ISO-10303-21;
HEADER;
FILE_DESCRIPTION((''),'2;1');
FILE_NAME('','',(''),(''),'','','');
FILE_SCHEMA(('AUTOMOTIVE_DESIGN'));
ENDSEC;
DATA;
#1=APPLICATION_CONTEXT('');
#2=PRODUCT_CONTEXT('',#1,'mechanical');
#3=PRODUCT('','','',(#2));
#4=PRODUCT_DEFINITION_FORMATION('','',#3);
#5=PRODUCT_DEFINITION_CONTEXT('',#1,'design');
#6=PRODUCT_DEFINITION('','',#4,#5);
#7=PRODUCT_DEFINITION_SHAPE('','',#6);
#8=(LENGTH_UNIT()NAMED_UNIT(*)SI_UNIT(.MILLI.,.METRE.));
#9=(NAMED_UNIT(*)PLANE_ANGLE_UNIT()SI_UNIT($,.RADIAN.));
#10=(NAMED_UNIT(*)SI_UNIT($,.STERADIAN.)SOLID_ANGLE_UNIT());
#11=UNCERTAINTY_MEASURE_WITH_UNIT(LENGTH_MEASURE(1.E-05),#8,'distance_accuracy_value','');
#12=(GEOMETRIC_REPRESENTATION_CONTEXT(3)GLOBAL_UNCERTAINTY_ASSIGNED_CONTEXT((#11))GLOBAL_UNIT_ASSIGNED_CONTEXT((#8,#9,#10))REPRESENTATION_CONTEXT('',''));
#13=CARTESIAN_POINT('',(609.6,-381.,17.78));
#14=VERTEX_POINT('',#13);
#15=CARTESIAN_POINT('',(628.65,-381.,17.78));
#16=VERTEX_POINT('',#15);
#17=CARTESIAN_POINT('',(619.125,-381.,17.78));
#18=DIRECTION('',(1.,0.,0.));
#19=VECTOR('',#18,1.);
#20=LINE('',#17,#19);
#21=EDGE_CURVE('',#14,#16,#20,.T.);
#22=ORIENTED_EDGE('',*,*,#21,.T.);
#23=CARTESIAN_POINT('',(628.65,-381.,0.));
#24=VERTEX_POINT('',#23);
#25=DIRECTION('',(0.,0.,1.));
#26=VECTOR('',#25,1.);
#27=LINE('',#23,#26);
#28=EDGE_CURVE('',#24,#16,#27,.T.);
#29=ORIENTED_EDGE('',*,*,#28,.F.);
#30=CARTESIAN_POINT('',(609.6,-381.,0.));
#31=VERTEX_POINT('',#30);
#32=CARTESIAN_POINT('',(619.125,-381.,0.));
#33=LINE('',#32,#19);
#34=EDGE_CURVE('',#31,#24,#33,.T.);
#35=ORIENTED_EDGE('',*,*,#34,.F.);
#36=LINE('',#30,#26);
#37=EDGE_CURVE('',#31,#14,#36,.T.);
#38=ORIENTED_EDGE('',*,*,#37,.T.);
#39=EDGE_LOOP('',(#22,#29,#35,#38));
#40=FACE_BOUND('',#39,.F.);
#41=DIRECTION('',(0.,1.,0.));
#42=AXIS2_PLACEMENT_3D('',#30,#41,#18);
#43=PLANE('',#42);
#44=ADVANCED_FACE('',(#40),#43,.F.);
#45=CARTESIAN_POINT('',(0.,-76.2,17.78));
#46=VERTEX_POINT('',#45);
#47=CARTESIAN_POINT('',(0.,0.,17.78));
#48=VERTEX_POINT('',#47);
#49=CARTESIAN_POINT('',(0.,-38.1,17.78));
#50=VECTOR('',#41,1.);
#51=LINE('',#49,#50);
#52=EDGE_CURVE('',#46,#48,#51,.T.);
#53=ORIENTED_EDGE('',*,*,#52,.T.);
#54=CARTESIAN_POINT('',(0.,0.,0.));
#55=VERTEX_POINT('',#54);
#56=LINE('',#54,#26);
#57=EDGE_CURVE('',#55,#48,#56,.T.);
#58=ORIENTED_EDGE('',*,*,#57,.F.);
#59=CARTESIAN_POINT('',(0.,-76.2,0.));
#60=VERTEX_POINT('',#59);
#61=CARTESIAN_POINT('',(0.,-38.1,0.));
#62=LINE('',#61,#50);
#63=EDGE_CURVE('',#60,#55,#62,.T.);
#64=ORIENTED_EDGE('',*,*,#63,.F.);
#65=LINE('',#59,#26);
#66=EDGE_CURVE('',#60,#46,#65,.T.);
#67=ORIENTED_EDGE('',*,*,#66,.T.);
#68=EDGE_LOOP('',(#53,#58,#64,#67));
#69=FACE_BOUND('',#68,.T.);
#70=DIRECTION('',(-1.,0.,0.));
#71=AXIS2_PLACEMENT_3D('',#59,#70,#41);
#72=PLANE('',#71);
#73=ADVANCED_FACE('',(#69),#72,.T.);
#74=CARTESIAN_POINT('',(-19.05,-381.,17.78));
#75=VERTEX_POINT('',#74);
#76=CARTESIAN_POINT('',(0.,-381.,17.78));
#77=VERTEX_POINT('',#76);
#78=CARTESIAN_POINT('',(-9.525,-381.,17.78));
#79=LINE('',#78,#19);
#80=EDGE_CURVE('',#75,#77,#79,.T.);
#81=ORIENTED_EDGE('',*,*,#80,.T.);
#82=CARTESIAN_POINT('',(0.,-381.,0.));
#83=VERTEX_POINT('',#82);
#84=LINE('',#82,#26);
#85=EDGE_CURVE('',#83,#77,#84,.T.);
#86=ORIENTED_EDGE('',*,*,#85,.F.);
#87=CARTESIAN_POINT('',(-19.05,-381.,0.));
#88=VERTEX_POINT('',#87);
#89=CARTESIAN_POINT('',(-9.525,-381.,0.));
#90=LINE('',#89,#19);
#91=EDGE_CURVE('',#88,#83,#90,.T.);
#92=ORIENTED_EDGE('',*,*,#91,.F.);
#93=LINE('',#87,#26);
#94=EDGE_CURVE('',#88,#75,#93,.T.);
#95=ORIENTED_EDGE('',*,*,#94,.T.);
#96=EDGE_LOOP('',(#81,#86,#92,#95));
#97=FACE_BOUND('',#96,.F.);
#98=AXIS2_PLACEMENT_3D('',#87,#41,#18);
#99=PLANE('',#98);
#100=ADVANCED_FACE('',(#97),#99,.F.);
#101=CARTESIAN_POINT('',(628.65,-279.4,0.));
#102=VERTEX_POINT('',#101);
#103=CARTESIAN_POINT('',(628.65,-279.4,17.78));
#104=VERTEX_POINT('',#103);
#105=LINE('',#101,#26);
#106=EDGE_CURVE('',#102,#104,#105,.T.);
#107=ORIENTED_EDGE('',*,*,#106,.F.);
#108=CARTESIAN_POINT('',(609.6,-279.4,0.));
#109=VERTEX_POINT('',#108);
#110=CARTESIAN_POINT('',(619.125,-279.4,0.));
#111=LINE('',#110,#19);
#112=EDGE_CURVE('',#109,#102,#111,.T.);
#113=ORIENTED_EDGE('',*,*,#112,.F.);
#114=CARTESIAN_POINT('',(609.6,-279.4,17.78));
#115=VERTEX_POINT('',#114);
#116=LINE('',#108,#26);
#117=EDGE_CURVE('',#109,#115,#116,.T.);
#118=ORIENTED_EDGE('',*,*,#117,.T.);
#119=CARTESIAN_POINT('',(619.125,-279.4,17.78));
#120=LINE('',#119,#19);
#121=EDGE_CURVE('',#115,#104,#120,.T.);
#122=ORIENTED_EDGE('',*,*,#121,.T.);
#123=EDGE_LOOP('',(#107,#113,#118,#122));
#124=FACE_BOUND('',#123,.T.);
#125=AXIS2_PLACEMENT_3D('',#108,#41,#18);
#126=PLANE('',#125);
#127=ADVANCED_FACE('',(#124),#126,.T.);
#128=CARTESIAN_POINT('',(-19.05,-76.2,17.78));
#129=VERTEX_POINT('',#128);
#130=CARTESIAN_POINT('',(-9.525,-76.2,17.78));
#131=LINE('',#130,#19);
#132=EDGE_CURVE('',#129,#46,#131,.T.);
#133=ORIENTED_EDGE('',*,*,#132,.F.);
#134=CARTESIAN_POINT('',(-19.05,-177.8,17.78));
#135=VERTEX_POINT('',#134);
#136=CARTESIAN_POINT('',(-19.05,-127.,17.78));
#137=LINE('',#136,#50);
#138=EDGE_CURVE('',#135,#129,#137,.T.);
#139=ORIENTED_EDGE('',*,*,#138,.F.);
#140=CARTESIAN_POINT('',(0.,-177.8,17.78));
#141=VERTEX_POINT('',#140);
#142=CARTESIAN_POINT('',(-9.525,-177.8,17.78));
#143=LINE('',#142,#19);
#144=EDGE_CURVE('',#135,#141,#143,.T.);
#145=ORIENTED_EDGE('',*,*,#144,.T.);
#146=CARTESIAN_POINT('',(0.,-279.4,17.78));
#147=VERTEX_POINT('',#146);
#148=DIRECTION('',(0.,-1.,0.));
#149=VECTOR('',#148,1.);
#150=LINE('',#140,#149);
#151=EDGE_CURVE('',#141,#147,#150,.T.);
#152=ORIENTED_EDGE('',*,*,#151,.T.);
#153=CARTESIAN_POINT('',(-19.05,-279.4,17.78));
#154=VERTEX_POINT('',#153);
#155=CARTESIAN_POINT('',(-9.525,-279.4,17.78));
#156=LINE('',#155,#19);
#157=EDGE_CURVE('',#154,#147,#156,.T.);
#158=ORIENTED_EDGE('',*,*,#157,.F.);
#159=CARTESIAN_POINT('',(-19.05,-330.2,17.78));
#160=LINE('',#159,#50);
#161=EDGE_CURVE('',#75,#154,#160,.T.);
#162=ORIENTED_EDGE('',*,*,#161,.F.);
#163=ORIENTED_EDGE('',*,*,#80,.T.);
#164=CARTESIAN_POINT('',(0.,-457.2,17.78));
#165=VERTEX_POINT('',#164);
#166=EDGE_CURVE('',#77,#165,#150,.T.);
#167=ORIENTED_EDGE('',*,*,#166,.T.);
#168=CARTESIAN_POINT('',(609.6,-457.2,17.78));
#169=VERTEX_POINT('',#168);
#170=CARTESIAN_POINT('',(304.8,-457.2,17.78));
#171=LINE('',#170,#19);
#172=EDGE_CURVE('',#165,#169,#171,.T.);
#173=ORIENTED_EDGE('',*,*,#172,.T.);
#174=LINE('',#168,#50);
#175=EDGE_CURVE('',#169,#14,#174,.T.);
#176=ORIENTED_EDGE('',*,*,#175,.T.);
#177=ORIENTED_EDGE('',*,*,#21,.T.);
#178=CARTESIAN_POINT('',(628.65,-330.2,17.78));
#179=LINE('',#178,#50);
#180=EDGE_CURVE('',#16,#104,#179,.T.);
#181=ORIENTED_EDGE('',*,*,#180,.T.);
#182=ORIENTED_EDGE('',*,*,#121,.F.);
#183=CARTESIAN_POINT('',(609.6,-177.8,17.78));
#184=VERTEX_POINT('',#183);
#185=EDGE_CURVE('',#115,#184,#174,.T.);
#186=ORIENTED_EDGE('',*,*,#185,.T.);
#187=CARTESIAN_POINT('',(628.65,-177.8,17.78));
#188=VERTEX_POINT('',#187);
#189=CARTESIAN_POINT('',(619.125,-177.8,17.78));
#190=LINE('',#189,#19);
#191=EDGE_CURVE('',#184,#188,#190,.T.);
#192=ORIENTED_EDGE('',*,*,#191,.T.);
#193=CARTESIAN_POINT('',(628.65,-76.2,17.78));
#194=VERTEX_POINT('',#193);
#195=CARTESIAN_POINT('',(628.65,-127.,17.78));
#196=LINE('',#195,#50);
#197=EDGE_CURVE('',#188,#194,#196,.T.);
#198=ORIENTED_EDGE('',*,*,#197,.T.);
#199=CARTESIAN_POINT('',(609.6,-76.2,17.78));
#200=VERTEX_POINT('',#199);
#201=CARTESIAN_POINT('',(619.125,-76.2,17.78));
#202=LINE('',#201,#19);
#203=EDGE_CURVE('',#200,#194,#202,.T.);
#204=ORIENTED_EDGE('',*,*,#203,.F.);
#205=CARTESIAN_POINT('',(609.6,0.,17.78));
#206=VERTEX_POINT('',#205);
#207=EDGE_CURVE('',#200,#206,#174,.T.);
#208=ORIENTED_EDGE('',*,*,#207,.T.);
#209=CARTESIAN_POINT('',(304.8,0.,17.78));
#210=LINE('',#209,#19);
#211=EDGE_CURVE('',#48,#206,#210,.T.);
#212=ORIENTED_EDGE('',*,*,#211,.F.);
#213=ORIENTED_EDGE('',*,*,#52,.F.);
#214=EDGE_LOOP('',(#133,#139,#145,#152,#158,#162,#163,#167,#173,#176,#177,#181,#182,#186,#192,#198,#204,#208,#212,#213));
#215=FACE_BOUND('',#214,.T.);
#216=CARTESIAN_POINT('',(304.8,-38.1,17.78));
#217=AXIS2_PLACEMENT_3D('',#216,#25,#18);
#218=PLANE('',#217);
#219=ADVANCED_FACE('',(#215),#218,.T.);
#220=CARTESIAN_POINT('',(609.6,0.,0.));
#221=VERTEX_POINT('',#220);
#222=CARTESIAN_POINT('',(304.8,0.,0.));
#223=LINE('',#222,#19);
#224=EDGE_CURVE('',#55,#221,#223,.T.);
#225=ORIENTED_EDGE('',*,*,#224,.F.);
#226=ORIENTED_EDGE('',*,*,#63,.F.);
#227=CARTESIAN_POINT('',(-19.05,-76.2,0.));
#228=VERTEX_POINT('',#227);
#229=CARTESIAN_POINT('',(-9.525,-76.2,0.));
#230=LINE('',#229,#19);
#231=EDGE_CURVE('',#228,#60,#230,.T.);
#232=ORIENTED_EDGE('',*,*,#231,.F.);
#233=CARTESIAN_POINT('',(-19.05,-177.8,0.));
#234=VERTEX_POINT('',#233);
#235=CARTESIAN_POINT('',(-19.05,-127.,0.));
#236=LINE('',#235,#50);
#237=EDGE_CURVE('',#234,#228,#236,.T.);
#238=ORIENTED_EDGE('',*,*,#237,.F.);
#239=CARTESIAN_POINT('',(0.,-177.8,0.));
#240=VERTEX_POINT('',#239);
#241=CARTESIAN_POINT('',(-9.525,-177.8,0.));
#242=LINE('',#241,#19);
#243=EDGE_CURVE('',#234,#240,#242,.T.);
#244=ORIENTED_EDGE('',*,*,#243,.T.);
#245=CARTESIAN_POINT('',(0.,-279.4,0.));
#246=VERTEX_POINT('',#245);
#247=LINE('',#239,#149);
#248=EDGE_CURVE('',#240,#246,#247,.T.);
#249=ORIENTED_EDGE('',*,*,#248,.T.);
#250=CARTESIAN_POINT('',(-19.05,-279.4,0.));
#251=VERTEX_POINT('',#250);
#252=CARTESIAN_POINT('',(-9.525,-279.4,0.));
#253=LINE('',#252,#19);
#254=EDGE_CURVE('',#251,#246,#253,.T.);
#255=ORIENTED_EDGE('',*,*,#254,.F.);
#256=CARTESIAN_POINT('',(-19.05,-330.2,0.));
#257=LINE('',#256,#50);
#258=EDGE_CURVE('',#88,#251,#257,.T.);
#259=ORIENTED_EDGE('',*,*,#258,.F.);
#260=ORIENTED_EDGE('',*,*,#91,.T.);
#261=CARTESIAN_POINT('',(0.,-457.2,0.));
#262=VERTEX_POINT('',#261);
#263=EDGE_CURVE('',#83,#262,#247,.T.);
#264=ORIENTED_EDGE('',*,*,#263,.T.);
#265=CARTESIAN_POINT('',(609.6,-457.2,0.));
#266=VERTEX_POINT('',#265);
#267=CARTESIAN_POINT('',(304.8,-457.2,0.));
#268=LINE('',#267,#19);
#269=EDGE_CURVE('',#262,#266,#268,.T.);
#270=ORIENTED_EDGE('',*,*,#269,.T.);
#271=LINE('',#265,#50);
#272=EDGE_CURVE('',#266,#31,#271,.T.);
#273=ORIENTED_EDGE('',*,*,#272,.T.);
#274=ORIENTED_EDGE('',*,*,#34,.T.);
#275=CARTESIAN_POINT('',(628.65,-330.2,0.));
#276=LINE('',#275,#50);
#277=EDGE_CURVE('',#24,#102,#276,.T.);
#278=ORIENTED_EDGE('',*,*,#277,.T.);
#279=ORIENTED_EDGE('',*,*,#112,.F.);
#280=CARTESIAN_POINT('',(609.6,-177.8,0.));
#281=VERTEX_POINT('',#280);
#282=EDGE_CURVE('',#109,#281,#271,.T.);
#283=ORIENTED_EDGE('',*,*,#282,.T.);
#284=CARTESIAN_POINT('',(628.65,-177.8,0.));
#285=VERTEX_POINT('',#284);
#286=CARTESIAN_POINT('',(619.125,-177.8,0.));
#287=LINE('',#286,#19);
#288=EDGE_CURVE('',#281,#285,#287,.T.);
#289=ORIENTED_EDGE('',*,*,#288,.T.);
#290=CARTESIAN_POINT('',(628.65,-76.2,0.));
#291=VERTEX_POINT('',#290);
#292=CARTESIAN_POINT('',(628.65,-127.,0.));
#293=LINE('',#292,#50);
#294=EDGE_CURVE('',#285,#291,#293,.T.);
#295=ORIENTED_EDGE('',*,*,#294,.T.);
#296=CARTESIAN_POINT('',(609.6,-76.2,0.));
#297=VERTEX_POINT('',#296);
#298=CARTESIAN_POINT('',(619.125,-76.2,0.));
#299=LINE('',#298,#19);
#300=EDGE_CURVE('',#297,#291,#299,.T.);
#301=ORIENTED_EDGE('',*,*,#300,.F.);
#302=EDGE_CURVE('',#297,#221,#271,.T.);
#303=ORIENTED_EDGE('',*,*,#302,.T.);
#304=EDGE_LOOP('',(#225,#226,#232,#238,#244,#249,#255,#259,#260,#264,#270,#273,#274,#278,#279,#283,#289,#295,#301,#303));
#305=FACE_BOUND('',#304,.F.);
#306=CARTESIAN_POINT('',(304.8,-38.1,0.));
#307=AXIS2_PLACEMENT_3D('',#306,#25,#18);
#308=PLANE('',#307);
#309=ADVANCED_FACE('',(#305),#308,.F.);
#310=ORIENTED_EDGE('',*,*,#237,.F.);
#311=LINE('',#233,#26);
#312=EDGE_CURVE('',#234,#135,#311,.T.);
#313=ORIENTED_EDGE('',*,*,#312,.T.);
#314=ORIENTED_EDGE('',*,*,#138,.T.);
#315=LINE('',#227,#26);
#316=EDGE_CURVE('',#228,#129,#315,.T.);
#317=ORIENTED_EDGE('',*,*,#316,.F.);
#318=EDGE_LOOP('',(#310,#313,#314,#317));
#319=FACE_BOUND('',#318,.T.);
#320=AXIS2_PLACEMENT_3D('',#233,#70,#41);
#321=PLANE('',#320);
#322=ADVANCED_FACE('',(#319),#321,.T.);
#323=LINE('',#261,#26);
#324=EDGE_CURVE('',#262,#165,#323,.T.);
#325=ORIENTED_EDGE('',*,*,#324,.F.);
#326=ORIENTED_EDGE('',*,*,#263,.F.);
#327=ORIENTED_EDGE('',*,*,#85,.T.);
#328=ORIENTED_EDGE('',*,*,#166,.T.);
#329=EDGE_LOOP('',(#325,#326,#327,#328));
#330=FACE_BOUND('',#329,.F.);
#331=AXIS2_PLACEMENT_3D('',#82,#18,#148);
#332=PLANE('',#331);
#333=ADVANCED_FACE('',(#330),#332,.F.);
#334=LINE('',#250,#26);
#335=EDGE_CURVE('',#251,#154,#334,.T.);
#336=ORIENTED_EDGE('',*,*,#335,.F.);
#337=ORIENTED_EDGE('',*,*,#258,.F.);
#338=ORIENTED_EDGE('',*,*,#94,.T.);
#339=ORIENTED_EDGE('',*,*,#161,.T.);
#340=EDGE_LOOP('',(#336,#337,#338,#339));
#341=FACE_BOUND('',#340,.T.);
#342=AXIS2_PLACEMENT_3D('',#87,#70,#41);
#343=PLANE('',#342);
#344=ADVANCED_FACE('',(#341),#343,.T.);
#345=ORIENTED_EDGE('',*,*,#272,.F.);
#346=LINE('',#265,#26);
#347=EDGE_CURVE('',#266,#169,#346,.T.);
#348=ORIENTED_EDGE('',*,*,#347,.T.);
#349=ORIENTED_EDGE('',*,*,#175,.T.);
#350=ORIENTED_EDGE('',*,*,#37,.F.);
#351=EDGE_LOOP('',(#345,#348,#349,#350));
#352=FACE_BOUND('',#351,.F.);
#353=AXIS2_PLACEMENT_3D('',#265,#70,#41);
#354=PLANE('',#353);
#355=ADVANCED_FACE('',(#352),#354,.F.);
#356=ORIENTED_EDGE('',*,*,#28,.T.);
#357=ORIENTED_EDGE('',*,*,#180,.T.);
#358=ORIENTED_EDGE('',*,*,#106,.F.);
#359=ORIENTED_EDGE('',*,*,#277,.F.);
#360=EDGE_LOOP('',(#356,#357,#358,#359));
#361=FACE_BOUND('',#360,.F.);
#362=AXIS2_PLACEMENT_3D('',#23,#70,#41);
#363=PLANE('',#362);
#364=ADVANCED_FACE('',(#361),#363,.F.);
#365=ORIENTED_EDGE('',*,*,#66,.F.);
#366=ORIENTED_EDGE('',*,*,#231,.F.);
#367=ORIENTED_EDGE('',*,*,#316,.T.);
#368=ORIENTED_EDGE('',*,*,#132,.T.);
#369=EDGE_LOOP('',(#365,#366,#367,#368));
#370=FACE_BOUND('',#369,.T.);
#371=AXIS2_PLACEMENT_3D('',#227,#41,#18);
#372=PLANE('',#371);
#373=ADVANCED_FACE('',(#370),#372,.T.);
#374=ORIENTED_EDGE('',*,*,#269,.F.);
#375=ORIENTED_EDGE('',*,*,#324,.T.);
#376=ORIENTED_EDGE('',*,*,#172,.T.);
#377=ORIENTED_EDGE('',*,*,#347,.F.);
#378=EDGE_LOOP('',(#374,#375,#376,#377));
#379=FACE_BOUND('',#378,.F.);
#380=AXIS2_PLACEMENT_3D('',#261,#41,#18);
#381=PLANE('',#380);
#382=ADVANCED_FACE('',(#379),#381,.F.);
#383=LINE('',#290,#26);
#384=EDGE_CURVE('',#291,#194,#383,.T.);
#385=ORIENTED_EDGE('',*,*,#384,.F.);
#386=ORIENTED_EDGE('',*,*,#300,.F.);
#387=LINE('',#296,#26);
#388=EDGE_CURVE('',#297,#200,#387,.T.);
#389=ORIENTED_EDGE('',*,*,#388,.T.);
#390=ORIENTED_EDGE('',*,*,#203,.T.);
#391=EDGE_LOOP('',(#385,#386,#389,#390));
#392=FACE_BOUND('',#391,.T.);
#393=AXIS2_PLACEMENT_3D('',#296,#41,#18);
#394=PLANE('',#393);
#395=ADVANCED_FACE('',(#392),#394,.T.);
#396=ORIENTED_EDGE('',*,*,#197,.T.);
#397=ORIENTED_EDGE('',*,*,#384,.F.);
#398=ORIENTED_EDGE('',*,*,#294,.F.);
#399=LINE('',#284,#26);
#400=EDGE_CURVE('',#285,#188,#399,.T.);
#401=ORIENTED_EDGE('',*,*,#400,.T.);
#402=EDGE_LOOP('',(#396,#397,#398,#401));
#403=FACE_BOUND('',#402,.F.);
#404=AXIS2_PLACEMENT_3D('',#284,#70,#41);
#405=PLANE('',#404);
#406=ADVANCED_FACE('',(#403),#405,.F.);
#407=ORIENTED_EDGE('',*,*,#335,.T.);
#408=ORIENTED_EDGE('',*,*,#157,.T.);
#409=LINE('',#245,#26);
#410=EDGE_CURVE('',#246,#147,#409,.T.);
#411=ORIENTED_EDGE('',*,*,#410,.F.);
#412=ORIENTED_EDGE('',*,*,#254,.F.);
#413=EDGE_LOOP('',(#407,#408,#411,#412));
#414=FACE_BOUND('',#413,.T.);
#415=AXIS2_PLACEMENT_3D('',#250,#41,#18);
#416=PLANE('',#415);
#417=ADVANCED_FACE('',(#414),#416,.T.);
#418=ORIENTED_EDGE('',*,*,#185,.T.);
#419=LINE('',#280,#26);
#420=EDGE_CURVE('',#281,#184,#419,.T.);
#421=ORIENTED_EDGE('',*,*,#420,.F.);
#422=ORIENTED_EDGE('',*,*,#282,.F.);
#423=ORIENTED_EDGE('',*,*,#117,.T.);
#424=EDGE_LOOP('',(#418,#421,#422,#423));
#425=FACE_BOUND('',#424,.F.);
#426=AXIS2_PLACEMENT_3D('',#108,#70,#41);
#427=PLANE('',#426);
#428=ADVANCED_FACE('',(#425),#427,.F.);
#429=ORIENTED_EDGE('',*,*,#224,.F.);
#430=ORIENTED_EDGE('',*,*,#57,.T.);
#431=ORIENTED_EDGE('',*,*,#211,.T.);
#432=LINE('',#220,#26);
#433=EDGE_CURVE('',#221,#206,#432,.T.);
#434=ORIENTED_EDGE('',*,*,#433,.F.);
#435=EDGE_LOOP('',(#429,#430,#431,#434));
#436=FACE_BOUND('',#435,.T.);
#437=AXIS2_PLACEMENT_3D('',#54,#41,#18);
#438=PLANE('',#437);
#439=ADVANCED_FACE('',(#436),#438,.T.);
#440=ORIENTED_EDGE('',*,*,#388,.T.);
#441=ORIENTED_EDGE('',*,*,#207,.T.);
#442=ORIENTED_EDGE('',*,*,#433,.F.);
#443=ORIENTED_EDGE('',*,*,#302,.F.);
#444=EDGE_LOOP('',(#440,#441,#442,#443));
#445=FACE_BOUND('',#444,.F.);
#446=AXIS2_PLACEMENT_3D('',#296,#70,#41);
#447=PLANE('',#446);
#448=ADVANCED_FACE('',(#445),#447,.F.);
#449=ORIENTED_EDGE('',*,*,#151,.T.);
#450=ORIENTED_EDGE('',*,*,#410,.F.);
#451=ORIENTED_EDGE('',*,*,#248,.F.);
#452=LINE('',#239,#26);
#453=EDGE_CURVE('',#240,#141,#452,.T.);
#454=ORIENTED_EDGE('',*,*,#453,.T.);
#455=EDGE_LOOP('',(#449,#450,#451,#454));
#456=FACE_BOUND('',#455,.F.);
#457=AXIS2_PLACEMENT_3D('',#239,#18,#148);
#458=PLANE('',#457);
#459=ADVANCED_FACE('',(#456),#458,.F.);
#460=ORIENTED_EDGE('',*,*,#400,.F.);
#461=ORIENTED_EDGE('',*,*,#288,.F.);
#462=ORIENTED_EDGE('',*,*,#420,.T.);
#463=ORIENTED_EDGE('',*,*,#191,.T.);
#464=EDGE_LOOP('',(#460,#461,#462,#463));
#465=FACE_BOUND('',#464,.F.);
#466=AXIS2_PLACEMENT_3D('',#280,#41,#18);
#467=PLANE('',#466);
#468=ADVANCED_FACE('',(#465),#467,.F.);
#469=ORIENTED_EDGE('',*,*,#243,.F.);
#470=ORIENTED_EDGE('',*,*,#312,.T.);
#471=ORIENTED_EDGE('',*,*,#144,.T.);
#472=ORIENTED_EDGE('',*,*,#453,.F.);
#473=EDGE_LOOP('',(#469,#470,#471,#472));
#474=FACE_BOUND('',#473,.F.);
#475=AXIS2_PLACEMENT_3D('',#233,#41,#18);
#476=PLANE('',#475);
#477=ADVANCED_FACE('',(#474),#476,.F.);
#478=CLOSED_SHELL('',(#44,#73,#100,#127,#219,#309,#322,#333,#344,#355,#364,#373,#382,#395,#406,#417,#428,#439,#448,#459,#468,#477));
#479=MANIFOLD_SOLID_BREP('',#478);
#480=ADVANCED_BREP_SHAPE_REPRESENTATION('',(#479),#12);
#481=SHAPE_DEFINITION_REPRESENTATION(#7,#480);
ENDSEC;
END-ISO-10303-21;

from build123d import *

# Parameters (mm, degrees)
F0_W     = 609.6
F0_H     = 76.2
F0_H_2   = 101.6
F0_W_2   = 19.05
F1_DEPTH = 17.78


with BuildPart() as f1:
    # F0 (on Top) → F1 (new body)
    with BuildSketch(Plane.XY):
        with Locations((304.8, -38.1)):
            Rectangle(F0_W, F0_H)
        with Locations((304.8, -228.6)):
            Rectangle(F0_W, F0_H_2)
        with Locations((304.8, -330.2)):
            Rectangle(F0_W, F0_H_2)
        with Locations((304.8, -419.1)):
            Rectangle(F0_W, F0_H)
        with Locations((-9.525, -330.2)):
            Rectangle(F0_W_2, F0_H_2)
        with Locations((-9.525, -127)):
            Rectangle(F0_W_2, F0_H_2)
        with Locations((304.8, -127)):
            Rectangle(F0_W, F0_H_2)
        with Locations((619.125, -127)):
            Rectangle(F0_W_2, F0_H_2)
        with Locations((619.125, -330.2)):
            Rectangle(F0_W_2, F0_H_2)
    extrude(amount=F1_DEPTH)


solid = f1.part
